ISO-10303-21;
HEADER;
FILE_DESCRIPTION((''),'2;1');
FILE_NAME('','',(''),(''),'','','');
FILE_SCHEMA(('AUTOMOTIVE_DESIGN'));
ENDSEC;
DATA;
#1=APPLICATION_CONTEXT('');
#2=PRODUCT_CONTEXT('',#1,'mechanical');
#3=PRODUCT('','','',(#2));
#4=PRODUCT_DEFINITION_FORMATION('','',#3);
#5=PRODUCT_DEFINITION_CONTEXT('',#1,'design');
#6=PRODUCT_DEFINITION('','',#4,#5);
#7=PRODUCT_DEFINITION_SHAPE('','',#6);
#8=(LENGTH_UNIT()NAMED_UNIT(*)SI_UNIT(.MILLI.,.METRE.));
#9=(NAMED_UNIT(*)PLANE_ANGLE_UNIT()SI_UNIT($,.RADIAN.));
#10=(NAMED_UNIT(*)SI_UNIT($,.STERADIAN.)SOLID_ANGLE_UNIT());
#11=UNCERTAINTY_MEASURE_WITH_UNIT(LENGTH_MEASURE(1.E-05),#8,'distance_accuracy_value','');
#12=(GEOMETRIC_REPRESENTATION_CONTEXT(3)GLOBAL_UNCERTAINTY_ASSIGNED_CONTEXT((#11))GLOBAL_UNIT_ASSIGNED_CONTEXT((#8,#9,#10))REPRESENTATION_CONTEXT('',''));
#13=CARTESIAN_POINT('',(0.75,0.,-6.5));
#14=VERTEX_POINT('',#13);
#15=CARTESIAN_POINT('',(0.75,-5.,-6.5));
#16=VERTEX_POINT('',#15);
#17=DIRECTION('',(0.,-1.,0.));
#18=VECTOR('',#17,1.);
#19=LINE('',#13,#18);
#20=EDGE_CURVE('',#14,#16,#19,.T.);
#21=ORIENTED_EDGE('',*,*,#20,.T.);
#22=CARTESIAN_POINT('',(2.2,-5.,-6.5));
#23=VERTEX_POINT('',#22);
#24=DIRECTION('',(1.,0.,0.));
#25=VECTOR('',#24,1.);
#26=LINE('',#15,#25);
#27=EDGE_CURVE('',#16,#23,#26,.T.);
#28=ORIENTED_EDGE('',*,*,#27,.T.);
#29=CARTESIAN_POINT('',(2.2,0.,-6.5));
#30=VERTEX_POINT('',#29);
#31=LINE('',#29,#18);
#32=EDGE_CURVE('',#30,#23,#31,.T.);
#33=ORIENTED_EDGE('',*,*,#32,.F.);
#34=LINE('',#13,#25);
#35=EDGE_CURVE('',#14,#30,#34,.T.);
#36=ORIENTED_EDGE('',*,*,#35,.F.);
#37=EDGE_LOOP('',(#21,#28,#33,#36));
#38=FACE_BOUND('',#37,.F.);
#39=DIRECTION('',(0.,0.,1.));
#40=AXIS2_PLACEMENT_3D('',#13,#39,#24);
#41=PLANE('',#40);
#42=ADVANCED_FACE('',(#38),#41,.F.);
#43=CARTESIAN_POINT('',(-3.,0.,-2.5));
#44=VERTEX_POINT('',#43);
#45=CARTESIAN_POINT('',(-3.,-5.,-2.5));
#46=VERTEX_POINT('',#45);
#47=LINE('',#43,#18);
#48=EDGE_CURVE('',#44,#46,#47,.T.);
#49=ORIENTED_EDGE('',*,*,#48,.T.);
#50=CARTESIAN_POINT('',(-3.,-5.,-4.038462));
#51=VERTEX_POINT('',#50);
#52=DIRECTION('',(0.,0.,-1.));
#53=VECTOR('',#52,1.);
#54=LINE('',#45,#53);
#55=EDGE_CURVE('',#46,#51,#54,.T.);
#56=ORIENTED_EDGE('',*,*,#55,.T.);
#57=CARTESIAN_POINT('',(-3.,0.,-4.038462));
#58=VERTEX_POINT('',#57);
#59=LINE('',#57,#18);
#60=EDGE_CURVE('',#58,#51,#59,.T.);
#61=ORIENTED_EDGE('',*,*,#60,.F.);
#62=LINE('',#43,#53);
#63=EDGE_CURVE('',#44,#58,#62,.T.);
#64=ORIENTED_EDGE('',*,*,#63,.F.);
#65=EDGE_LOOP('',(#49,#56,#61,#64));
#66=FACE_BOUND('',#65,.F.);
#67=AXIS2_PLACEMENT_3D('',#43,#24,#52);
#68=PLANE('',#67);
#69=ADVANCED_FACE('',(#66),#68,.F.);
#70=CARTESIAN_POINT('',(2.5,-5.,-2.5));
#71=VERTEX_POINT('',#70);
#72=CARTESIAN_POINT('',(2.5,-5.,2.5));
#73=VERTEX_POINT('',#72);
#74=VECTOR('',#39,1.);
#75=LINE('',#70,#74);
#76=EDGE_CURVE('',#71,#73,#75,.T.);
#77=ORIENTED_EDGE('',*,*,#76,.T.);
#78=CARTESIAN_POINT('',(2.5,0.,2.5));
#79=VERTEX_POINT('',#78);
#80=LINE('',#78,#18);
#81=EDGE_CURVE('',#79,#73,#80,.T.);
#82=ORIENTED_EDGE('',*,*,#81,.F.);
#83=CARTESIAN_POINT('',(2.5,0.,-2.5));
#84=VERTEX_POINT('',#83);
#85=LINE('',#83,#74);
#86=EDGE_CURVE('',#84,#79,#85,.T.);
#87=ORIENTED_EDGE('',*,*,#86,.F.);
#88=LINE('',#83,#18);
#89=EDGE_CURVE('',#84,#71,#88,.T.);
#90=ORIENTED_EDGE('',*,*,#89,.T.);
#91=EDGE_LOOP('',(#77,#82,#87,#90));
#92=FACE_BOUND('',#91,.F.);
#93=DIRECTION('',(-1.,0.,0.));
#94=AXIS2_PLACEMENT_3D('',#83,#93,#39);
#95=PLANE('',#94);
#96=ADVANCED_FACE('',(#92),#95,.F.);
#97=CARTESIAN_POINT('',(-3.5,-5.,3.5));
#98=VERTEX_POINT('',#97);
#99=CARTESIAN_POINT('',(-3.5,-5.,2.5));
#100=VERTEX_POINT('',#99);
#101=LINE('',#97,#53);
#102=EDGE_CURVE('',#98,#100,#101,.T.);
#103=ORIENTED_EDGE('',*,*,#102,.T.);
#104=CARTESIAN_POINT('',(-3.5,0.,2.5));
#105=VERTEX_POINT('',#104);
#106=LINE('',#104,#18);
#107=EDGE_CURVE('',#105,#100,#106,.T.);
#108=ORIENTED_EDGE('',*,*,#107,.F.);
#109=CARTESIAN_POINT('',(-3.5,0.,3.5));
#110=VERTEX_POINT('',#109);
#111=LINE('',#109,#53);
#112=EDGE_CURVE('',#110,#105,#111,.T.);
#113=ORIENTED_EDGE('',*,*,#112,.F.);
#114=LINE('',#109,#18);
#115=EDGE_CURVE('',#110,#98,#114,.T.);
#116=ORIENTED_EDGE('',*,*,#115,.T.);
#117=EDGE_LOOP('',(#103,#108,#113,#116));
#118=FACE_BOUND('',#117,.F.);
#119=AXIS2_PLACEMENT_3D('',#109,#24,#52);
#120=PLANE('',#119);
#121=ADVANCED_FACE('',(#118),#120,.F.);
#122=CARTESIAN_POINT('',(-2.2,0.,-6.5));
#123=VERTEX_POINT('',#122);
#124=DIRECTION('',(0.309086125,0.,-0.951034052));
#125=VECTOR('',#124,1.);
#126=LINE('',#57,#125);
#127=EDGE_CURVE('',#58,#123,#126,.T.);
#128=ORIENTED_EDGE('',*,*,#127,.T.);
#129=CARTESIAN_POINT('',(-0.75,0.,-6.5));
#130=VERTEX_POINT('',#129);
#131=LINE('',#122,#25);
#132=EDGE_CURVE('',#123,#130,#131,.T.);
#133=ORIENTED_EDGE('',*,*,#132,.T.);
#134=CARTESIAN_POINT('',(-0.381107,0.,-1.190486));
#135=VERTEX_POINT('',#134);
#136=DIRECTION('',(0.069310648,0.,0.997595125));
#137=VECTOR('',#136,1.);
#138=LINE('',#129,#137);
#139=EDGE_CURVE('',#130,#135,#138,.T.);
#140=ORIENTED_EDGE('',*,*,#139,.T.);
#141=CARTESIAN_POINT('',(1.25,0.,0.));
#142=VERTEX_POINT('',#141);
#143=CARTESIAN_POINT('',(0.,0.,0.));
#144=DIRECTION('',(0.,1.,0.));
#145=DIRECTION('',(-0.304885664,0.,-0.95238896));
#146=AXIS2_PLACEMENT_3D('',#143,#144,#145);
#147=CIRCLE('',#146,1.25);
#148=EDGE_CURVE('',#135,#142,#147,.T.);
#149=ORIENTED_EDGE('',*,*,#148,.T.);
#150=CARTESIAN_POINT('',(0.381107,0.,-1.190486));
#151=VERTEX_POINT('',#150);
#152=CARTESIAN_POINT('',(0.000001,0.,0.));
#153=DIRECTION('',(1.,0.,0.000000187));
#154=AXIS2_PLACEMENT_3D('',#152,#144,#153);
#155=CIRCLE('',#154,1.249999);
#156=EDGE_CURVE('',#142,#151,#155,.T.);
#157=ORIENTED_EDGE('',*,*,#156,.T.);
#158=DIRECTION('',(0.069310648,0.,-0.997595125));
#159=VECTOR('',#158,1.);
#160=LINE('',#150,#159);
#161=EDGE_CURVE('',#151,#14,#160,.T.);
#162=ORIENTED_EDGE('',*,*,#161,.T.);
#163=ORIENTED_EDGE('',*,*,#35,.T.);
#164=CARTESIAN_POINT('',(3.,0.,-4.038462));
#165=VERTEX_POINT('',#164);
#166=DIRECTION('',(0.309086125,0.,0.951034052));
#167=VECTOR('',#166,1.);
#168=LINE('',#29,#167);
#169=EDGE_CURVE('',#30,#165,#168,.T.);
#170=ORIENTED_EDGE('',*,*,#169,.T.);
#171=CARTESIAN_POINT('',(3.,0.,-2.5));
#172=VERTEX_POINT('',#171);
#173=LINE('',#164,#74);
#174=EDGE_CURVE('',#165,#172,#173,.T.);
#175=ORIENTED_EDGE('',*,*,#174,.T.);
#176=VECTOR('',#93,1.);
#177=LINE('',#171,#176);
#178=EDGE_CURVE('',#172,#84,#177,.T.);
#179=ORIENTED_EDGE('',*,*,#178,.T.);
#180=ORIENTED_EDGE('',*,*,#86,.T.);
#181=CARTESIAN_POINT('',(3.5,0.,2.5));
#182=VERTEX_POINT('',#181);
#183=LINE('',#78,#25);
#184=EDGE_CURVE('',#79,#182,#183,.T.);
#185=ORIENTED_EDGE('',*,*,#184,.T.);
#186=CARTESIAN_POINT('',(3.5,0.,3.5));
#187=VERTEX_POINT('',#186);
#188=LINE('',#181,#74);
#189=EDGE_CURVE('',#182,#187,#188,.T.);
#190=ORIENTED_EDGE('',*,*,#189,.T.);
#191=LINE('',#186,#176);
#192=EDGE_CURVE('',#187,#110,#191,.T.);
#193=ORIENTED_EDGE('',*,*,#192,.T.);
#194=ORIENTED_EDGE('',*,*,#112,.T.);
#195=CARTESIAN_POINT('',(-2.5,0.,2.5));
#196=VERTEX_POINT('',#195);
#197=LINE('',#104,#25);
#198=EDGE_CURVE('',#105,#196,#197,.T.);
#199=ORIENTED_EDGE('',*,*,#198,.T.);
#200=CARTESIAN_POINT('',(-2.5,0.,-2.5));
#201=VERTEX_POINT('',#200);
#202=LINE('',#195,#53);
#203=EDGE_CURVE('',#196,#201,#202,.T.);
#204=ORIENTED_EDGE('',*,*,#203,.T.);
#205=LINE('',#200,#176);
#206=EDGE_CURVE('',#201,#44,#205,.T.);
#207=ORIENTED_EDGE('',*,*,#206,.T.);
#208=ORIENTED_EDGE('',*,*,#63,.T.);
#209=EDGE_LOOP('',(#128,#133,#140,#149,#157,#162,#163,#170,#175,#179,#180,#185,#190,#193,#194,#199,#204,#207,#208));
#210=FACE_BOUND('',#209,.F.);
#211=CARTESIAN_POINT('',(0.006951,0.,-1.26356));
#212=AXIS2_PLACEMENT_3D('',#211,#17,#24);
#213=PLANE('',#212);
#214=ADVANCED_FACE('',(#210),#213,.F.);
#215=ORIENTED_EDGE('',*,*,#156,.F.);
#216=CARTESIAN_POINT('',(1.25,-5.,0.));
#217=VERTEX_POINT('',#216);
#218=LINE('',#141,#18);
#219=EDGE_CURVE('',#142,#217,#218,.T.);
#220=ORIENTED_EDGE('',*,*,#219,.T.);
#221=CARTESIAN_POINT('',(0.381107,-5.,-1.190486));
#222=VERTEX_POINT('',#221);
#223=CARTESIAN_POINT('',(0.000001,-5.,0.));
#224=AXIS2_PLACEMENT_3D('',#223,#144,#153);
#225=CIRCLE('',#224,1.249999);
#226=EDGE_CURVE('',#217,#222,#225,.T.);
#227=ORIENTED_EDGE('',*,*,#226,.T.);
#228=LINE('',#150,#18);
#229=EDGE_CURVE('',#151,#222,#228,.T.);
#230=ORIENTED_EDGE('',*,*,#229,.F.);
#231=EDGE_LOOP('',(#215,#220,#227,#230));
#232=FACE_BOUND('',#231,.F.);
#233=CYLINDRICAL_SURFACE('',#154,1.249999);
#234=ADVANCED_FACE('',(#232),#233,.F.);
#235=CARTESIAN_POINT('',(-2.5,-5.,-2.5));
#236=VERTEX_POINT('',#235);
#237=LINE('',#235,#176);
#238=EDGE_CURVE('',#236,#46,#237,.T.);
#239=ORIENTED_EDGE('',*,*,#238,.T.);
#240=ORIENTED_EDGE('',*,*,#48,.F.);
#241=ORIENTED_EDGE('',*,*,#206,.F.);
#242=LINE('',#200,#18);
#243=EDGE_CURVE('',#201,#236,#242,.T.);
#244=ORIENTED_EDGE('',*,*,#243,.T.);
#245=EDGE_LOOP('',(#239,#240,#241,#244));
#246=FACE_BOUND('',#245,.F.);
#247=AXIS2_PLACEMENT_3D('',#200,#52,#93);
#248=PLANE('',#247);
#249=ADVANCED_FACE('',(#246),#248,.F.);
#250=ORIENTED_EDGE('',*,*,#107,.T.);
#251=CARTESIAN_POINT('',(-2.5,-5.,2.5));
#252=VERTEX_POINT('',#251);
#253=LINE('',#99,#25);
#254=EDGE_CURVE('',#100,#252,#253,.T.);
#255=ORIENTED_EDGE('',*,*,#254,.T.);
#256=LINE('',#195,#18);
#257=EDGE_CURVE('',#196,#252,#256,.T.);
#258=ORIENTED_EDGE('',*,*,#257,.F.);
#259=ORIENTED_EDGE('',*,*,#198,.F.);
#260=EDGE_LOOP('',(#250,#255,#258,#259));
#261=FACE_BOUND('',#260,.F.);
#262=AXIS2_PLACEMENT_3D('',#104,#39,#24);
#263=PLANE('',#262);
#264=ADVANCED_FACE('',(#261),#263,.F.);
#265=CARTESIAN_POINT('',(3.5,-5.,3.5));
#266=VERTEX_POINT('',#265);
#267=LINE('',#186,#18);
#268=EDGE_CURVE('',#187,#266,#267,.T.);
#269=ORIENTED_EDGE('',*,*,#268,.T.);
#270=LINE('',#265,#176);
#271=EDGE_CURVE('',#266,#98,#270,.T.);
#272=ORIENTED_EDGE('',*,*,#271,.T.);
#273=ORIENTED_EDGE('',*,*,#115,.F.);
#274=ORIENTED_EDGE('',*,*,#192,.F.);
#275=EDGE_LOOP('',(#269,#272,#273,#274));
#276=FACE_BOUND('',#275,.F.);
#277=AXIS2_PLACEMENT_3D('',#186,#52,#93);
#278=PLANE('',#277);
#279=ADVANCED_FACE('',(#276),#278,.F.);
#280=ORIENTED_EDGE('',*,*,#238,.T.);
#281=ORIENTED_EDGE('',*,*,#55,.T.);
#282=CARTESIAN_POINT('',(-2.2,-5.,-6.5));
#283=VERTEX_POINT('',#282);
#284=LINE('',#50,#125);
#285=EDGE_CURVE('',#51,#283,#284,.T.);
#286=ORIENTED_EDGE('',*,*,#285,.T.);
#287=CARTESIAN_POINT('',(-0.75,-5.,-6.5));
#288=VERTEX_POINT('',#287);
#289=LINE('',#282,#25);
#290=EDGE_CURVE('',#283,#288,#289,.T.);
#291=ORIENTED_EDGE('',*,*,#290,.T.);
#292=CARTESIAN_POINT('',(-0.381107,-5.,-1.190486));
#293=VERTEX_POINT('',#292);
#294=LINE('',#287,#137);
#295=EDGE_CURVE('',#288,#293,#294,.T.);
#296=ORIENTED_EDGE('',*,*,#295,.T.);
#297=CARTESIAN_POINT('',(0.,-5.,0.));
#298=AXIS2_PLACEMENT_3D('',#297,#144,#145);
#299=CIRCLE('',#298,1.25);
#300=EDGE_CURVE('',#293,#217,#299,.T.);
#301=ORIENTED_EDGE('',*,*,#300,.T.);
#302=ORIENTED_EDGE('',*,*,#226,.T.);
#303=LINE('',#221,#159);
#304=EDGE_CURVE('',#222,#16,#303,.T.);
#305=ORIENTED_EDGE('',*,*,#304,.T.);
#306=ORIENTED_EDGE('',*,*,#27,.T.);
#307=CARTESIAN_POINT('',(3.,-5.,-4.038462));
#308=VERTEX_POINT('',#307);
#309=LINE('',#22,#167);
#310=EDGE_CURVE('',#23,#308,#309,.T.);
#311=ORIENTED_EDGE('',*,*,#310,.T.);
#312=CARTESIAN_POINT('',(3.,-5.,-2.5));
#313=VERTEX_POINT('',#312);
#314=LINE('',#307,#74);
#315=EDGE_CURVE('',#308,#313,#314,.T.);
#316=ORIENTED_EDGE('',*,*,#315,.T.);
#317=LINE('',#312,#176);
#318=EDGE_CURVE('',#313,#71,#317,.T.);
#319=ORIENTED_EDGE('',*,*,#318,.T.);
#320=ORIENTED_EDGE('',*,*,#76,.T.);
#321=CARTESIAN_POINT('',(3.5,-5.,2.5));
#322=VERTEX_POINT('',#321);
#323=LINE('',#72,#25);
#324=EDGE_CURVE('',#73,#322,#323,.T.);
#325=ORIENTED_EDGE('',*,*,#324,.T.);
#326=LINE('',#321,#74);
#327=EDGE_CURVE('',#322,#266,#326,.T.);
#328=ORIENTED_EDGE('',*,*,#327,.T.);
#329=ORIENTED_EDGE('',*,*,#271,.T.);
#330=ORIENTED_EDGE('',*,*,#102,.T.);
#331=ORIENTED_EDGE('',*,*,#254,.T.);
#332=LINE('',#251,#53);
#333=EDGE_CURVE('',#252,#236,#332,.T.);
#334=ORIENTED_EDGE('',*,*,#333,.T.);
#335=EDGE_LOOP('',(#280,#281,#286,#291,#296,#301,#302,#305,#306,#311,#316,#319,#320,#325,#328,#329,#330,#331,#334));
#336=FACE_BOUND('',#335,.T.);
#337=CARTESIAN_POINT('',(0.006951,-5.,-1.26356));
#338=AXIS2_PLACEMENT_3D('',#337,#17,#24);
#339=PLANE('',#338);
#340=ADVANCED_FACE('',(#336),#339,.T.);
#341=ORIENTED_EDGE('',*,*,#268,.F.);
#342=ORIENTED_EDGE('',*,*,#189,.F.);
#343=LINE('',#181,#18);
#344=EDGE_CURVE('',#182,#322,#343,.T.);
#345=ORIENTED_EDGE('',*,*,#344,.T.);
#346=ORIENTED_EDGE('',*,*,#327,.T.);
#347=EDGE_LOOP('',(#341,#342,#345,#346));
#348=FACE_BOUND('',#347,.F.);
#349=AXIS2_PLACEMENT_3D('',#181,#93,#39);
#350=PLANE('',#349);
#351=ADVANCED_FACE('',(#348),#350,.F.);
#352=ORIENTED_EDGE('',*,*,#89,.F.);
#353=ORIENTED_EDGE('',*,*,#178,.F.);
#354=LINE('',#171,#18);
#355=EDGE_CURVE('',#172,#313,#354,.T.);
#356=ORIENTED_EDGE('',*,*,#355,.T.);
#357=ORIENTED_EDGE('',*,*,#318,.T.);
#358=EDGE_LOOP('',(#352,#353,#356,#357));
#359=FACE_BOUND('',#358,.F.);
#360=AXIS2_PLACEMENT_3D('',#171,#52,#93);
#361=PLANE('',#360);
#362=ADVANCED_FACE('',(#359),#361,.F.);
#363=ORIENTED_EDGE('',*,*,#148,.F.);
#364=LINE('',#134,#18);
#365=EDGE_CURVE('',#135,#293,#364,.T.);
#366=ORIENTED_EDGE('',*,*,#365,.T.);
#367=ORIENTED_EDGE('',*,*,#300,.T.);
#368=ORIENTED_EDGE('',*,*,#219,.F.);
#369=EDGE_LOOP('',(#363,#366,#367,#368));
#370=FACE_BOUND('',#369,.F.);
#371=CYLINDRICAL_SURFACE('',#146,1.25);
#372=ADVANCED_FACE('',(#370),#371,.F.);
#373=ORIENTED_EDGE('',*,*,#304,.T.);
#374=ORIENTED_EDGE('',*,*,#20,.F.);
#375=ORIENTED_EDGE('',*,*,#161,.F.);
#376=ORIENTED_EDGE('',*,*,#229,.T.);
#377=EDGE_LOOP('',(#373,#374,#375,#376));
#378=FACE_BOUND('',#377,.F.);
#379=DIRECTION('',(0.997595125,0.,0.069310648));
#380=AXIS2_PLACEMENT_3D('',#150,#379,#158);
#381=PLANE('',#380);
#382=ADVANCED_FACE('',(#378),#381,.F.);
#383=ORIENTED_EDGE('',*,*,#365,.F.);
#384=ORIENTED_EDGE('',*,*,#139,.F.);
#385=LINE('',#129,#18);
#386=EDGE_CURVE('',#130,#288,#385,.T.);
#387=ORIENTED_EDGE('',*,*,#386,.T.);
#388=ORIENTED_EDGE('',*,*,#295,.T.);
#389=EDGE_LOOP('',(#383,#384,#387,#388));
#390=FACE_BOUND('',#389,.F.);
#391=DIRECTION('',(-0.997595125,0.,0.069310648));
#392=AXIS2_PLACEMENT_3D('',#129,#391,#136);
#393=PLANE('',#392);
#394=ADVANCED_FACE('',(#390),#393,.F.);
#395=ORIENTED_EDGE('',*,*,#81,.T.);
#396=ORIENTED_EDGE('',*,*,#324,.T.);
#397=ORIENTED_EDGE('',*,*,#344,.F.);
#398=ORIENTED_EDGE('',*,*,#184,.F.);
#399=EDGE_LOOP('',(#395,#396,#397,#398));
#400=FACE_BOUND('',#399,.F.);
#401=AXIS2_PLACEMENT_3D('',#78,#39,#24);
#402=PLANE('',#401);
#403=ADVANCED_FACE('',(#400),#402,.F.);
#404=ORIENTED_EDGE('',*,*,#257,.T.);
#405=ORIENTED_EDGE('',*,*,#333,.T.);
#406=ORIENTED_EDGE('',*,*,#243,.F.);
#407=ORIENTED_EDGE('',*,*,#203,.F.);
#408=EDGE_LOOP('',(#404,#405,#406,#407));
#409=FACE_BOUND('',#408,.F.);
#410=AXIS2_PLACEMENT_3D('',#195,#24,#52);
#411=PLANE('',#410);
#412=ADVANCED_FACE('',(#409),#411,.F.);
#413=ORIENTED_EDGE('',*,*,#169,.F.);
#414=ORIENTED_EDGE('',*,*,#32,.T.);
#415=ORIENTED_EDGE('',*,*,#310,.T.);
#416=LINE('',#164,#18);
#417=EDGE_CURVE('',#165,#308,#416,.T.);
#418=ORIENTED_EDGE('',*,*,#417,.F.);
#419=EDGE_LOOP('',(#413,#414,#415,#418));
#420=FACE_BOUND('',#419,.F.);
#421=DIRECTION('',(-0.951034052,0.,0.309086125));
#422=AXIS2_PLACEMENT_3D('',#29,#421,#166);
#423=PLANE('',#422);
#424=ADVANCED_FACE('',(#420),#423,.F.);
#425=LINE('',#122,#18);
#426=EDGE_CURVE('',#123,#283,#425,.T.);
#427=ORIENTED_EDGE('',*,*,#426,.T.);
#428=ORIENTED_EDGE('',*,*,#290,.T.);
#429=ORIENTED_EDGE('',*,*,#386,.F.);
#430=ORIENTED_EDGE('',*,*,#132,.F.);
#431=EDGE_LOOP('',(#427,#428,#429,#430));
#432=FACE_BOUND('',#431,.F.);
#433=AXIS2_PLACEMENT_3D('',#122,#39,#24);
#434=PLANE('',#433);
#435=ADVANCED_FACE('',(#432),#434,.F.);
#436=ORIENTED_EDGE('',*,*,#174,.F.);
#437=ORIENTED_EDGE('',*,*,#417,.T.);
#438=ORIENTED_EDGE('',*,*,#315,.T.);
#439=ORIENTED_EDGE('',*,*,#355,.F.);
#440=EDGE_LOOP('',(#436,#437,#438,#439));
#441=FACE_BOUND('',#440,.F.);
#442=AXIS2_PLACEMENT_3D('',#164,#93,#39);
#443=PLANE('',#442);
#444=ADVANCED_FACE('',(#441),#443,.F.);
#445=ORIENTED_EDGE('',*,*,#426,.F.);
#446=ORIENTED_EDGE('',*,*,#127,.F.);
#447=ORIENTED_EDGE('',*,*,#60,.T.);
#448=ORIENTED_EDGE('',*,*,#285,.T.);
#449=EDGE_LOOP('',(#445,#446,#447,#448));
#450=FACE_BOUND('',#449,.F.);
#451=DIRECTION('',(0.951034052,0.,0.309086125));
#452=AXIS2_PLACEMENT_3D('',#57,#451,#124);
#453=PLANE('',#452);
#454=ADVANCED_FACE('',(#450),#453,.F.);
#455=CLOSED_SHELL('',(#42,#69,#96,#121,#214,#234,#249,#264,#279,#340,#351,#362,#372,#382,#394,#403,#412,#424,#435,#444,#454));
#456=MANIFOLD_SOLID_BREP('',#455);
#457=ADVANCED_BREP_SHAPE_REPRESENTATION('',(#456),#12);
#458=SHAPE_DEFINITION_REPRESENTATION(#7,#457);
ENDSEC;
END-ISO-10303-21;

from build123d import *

# Parameters (mm, degrees)
F1_DEPTH = 5


with BuildPart() as f1:
    # F0 (on Front) → F1 (new body)
    with BuildSketch(Plane.XZ):
        with BuildLine():
            Line((3.5, 3.5), (-3.5, 3.5))
            Line((-3.5, 3.5), (-3.5, 2.5))
            Line((-3.5, 2.5), (-2.5, 2.5))
            Line((-2.5, 2.5), (-2.5, -2.5))
            Line((-2.5, -2.5), (-3, -2.5))
            Line((-3, -2.5), (-3, -4.038462))
            Line((-3, -4.038462), (-2.2, -6.5))
            Line((-2.2, -6.5), (-0.75, -6.5))
            Line((-0.75, -6.5), (-0.381107, -1.190486))
            ThreePointArc((-0.381107, -1.190486), (-0.736925, 1.009674), (1.25, 0))
            ThreePointArc((1.25, 0), (1.009674, -0.736925), (0.381107, -1.190486))
            Line((0.381107, -1.190486), (0.75, -6.5))
            Line((0.75, -6.5), (2.2, -6.5))
            Line((2.2, -6.5), (3, -4.038462))
            Line((3, -4.038462), (3, -2.5))
            Line((3, -2.5), (2.5, -2.5))
            Line((2.5, -2.5), (2.5, 2.5))
            Line((2.5, 2.5), (3.5, 2.5))
            Line((3.5, 2.5), (3.5, 3.5))
        make_face()
    extrude(amount=F1_DEPTH)


solid = f1.part
